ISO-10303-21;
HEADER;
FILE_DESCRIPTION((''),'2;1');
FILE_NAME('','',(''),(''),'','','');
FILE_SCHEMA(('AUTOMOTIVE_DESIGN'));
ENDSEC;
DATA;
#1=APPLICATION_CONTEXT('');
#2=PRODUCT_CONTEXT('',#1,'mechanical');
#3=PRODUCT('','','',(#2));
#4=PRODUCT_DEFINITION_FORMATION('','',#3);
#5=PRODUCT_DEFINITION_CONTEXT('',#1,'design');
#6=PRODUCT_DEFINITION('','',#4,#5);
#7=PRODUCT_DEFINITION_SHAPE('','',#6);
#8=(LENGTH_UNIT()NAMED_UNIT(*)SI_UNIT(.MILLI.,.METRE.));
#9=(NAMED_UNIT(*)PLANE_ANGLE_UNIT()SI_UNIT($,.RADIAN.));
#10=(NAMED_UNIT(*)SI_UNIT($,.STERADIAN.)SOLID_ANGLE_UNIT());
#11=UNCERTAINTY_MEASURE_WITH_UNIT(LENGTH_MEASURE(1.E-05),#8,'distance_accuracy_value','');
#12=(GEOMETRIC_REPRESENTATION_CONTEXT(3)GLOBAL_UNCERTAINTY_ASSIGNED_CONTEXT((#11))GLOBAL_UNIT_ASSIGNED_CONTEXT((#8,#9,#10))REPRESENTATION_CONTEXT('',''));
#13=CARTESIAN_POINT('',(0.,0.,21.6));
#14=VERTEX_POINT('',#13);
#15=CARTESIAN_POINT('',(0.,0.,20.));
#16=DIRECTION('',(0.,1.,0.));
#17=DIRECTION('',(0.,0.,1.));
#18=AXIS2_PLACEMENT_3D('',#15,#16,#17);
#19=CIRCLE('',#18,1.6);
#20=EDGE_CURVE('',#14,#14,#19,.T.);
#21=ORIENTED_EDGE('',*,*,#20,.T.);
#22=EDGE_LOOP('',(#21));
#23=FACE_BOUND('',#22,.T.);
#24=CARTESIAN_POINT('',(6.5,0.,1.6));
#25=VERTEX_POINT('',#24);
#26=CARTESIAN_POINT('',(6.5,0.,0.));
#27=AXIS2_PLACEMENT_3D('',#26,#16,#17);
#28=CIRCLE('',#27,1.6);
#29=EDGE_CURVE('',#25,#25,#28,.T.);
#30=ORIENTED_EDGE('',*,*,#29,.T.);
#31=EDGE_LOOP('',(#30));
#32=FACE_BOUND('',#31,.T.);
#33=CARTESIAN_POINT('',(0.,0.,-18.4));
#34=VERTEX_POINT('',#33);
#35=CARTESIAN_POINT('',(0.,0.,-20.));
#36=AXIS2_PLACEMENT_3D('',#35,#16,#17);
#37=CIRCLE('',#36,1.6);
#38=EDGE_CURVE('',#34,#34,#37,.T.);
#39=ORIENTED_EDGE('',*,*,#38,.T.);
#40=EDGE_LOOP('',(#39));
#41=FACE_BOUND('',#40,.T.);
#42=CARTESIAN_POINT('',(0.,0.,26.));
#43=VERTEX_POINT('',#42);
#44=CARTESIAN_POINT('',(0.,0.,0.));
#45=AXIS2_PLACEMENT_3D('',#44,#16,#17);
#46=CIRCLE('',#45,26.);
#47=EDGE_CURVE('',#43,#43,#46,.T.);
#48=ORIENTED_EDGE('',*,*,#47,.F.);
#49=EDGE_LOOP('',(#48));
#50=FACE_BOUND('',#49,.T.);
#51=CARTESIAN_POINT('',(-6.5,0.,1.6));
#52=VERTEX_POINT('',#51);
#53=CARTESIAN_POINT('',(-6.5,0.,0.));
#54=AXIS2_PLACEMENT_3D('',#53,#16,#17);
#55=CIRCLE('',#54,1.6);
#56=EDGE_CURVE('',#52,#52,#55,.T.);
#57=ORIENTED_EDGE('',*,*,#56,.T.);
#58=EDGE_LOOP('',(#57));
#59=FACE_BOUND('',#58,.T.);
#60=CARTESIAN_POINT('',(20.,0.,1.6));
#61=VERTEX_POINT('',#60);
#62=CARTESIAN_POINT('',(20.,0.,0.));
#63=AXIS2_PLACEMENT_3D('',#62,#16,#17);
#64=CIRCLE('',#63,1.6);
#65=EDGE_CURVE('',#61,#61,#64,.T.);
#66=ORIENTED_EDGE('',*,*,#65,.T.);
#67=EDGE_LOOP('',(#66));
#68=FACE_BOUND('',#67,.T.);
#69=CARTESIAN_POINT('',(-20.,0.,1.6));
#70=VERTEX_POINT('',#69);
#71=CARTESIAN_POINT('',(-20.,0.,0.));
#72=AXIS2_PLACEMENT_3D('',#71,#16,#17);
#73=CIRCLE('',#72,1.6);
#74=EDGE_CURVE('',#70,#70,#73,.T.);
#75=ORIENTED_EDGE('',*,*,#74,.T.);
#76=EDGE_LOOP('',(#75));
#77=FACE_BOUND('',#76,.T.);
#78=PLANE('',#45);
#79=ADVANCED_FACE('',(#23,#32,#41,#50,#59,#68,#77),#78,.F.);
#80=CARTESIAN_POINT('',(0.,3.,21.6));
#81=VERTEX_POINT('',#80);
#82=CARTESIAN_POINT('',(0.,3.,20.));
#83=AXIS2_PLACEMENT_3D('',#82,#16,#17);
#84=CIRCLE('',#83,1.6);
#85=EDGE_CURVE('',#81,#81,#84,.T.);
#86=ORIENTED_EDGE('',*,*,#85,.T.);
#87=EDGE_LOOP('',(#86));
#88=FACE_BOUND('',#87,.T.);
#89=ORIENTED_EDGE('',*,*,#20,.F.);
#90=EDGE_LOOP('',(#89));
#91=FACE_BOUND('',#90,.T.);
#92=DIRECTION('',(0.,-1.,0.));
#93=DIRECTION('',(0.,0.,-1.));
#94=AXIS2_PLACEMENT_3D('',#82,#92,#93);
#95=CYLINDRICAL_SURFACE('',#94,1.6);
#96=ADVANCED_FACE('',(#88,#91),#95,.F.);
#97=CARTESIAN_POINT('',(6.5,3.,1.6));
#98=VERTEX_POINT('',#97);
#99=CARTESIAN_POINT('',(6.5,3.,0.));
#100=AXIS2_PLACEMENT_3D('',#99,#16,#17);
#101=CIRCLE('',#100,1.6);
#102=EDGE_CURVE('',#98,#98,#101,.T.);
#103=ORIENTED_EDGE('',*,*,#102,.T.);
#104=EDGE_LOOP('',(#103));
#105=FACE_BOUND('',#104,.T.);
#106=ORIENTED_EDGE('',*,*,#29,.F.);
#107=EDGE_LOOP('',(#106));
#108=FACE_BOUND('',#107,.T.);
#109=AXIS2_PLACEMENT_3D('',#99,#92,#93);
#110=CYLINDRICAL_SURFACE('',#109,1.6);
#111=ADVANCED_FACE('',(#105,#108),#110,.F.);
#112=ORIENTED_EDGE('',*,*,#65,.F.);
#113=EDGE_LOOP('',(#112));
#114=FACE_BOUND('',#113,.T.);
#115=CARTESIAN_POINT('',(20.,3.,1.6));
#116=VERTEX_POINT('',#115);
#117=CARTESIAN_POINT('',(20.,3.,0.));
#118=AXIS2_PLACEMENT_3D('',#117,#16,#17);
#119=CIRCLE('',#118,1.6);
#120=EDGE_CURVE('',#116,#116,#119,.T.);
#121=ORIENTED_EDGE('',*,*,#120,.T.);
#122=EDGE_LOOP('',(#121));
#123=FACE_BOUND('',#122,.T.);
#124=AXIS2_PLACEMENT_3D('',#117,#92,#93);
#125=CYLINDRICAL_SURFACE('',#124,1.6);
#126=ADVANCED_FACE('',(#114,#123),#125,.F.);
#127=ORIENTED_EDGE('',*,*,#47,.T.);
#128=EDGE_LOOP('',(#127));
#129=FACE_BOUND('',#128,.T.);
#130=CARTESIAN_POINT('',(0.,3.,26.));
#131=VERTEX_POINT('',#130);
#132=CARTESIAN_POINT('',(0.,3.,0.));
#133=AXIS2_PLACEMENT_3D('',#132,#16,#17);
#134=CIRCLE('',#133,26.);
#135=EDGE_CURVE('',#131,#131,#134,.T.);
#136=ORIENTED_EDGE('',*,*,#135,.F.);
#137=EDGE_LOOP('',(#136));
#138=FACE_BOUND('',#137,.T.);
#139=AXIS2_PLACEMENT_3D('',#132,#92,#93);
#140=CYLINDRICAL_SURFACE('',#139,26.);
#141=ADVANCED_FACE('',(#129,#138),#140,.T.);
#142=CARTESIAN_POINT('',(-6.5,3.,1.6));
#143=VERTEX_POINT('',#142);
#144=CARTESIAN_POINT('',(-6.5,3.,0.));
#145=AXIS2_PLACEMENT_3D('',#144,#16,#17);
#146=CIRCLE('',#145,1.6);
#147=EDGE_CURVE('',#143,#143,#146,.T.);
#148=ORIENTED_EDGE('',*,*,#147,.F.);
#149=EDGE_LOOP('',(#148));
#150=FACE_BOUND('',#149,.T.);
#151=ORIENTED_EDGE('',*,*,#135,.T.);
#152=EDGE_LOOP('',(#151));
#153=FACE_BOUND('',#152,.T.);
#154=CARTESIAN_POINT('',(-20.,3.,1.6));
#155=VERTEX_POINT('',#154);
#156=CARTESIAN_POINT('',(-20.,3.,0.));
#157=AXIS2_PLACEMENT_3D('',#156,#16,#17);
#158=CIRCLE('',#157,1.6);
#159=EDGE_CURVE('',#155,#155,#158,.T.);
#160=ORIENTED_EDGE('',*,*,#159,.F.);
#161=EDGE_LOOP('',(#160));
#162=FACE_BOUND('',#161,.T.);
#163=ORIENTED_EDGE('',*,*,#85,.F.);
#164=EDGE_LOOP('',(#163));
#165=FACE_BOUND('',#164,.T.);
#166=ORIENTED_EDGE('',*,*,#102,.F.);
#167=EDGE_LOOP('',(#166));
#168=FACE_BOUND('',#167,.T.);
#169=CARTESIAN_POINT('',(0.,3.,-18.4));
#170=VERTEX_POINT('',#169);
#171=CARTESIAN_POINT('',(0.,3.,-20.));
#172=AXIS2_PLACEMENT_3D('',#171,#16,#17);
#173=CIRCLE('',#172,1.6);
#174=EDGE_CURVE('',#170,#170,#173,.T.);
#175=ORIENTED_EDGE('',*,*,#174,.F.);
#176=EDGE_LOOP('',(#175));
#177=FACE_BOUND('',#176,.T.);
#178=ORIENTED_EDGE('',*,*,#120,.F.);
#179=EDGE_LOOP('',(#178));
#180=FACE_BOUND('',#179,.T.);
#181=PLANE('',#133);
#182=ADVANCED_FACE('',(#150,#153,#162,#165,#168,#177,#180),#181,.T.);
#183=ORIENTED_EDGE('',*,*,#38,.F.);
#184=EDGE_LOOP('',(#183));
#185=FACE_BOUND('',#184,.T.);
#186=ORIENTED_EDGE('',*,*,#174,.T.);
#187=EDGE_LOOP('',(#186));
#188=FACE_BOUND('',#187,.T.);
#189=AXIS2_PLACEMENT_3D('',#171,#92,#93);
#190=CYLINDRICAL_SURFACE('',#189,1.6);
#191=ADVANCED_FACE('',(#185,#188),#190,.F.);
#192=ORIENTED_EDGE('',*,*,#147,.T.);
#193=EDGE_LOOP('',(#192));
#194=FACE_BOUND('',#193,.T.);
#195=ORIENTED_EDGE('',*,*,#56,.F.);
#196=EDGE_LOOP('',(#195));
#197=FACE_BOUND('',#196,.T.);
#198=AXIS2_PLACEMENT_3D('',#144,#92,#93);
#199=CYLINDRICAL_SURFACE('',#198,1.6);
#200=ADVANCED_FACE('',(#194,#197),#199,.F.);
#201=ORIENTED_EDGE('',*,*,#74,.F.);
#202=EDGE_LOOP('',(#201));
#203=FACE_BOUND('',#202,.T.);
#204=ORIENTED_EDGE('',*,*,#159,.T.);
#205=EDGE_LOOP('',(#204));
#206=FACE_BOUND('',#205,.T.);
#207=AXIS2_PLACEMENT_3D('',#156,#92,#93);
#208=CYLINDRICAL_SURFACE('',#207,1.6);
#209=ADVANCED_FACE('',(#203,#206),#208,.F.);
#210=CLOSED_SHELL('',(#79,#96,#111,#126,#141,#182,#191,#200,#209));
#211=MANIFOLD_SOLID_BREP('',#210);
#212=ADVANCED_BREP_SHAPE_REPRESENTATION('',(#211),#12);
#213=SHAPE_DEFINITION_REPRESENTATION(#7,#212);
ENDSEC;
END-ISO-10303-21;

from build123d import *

# Parameters (mm, degrees)
SKETCH_1_R      = 26
SKETCH_1_R_2    = 1.6
EXTRUDE_1_DEPTH = 3


with BuildPart() as part:
    # 草图1 → 凸台-拉伸1 (new body)
    with BuildSketch(Plane(origin=(0, 0, 0), x_dir=(1, 0, 0), z_dir=(0, 1, 0))):
        with Locations(Location((0, 0, 0), (0, 0, 270))):
            Circle(SKETCH_1_R)
        with Locations(Location((-6.5, 0, 0), (0, 0, 270))):
            Circle(SKETCH_1_R_2, mode=Mode.SUBTRACT)
        with Locations(Location((6.5, 0, 0), (0, 0, 270))):
            Circle(SKETCH_1_R_2, mode=Mode.SUBTRACT)
        with Locations(Location((-20, 0, 0), (0, 0, 270))):
            Circle(SKETCH_1_R_2, mode=Mode.SUBTRACT)
        with Locations(Location((0, 20, 0), (0, 0, 270))):
            Circle(SKETCH_1_R_2, mode=Mode.SUBTRACT)
        with Locations(Location((20, 0, 0), (0, 0, 270))):
            Circle(SKETCH_1_R_2, mode=Mode.SUBTRACT)
        with Locations(Location((0, -20, 0), (0, 0, 270))):
            Circle(SKETCH_1_R_2, mode=Mode.SUBTRACT)
    extrude(amount=EXTRUDE_1_DEPTH)


solid = part.part
